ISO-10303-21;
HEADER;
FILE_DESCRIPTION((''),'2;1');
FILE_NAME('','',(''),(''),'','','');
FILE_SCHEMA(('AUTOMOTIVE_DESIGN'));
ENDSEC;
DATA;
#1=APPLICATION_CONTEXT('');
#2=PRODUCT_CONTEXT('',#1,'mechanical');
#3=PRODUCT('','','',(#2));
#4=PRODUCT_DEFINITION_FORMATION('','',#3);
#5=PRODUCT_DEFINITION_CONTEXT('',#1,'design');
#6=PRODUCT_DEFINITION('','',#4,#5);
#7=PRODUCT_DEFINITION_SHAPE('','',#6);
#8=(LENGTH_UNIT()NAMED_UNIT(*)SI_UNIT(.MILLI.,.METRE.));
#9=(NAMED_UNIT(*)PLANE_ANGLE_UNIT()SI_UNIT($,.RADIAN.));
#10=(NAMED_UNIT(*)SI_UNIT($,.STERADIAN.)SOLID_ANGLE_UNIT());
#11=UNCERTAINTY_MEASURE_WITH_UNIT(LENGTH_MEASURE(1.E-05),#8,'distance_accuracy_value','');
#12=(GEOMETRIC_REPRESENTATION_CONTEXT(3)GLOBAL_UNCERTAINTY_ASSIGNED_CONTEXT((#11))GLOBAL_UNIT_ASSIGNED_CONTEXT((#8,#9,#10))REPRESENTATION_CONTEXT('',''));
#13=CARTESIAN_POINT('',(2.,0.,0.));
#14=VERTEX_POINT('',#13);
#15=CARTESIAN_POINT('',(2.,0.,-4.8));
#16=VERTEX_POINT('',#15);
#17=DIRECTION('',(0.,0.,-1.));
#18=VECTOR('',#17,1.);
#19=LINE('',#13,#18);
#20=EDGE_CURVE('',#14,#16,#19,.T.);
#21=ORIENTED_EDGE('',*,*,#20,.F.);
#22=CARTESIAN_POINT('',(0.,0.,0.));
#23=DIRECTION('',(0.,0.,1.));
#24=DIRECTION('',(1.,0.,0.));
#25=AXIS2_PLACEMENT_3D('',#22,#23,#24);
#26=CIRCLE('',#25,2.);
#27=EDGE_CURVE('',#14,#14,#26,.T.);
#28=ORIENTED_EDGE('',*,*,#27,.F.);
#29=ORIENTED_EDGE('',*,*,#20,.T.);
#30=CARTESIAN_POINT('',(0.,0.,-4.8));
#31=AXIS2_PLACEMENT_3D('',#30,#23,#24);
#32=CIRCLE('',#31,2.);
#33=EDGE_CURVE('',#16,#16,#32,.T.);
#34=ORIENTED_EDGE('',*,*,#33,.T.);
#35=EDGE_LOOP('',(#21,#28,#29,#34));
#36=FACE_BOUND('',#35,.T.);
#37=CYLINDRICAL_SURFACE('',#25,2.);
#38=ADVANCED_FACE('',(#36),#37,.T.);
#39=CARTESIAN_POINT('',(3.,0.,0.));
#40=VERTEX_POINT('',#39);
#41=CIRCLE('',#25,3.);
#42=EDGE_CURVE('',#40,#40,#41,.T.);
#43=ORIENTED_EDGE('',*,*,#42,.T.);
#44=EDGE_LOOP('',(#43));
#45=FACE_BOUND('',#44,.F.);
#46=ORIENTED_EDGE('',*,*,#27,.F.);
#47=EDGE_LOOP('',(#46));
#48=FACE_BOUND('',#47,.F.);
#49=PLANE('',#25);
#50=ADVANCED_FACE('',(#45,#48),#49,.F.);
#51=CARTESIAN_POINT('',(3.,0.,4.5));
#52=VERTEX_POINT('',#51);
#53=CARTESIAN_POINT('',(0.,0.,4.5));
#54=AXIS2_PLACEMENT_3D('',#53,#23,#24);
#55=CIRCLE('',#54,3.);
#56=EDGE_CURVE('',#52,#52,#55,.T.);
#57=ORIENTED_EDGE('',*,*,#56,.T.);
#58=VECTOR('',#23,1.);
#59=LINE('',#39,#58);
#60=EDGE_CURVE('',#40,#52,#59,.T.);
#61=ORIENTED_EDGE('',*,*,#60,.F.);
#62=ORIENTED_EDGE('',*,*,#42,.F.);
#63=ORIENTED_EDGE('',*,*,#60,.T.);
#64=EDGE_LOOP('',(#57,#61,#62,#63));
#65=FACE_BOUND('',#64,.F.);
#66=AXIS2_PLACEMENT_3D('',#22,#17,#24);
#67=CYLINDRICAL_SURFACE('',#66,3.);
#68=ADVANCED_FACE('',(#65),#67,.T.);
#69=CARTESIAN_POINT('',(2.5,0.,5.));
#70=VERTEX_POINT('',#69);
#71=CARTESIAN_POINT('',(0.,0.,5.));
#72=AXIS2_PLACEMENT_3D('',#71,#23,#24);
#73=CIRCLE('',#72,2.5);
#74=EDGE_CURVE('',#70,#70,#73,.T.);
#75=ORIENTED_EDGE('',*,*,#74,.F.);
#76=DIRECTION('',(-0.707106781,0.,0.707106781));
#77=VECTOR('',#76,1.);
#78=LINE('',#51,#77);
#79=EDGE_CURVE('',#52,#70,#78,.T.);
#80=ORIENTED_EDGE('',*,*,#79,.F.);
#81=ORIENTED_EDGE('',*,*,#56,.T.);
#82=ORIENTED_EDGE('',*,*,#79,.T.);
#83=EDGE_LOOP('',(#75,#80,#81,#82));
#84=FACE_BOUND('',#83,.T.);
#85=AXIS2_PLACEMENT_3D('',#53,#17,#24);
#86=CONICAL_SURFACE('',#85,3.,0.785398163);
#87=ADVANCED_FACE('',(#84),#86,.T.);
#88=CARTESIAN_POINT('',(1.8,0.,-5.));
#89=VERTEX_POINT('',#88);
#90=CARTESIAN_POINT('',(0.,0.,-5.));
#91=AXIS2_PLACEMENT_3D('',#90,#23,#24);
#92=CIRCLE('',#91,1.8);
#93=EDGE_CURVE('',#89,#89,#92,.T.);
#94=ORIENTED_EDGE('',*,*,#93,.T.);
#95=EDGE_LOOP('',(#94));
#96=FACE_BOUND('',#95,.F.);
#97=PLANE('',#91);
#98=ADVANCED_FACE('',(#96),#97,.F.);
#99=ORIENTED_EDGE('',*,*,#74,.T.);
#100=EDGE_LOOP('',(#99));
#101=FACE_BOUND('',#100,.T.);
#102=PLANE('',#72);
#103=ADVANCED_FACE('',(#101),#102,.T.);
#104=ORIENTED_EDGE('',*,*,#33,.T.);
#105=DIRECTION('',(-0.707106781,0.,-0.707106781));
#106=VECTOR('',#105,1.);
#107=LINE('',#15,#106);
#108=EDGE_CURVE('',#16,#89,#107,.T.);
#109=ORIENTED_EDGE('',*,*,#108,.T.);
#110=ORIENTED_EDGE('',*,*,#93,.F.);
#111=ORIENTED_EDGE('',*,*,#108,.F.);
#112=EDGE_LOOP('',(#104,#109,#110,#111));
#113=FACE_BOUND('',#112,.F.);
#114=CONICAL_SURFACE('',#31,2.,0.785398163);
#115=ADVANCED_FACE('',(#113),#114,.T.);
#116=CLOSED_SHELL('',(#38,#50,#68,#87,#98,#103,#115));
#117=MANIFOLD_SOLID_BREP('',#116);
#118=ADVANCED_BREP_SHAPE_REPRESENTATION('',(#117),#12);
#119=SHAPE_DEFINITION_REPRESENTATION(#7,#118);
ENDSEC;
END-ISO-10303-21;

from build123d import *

# Parameters (mm, degrees)
F0_R     = 3
F1_DEPTH = 5
F2_R     = 2
F3_DEPTH = 5
F4_SIZE  = 0.5
F5_SIZE  = 0.2


with BuildPart() as f1:
    # F0 (on Top) → F1 (new body)
    with BuildSketch(Plane.XY):
        Circle(F0_R)
    extrude(amount=F1_DEPTH)

    # F2 (on Top) → F3 (join)
    with BuildSketch(Plane.XY):
        Circle(F2_R)
    extrude(amount=-F3_DEPTH)

    # F4
    f4_edges = [f1.edges().sort_by_distance(p)[0] for p in [
        (-3, 0, 5),
    ]]
    chamfer(f4_edges, length=F4_SIZE)

    # F5
    f5_edges = [f1.edges().sort_by_distance(p)[0] for p in [
        (-2, 0, -5),
    ]]
    chamfer(f5_edges, length=F5_SIZE)


solid = f1.part
